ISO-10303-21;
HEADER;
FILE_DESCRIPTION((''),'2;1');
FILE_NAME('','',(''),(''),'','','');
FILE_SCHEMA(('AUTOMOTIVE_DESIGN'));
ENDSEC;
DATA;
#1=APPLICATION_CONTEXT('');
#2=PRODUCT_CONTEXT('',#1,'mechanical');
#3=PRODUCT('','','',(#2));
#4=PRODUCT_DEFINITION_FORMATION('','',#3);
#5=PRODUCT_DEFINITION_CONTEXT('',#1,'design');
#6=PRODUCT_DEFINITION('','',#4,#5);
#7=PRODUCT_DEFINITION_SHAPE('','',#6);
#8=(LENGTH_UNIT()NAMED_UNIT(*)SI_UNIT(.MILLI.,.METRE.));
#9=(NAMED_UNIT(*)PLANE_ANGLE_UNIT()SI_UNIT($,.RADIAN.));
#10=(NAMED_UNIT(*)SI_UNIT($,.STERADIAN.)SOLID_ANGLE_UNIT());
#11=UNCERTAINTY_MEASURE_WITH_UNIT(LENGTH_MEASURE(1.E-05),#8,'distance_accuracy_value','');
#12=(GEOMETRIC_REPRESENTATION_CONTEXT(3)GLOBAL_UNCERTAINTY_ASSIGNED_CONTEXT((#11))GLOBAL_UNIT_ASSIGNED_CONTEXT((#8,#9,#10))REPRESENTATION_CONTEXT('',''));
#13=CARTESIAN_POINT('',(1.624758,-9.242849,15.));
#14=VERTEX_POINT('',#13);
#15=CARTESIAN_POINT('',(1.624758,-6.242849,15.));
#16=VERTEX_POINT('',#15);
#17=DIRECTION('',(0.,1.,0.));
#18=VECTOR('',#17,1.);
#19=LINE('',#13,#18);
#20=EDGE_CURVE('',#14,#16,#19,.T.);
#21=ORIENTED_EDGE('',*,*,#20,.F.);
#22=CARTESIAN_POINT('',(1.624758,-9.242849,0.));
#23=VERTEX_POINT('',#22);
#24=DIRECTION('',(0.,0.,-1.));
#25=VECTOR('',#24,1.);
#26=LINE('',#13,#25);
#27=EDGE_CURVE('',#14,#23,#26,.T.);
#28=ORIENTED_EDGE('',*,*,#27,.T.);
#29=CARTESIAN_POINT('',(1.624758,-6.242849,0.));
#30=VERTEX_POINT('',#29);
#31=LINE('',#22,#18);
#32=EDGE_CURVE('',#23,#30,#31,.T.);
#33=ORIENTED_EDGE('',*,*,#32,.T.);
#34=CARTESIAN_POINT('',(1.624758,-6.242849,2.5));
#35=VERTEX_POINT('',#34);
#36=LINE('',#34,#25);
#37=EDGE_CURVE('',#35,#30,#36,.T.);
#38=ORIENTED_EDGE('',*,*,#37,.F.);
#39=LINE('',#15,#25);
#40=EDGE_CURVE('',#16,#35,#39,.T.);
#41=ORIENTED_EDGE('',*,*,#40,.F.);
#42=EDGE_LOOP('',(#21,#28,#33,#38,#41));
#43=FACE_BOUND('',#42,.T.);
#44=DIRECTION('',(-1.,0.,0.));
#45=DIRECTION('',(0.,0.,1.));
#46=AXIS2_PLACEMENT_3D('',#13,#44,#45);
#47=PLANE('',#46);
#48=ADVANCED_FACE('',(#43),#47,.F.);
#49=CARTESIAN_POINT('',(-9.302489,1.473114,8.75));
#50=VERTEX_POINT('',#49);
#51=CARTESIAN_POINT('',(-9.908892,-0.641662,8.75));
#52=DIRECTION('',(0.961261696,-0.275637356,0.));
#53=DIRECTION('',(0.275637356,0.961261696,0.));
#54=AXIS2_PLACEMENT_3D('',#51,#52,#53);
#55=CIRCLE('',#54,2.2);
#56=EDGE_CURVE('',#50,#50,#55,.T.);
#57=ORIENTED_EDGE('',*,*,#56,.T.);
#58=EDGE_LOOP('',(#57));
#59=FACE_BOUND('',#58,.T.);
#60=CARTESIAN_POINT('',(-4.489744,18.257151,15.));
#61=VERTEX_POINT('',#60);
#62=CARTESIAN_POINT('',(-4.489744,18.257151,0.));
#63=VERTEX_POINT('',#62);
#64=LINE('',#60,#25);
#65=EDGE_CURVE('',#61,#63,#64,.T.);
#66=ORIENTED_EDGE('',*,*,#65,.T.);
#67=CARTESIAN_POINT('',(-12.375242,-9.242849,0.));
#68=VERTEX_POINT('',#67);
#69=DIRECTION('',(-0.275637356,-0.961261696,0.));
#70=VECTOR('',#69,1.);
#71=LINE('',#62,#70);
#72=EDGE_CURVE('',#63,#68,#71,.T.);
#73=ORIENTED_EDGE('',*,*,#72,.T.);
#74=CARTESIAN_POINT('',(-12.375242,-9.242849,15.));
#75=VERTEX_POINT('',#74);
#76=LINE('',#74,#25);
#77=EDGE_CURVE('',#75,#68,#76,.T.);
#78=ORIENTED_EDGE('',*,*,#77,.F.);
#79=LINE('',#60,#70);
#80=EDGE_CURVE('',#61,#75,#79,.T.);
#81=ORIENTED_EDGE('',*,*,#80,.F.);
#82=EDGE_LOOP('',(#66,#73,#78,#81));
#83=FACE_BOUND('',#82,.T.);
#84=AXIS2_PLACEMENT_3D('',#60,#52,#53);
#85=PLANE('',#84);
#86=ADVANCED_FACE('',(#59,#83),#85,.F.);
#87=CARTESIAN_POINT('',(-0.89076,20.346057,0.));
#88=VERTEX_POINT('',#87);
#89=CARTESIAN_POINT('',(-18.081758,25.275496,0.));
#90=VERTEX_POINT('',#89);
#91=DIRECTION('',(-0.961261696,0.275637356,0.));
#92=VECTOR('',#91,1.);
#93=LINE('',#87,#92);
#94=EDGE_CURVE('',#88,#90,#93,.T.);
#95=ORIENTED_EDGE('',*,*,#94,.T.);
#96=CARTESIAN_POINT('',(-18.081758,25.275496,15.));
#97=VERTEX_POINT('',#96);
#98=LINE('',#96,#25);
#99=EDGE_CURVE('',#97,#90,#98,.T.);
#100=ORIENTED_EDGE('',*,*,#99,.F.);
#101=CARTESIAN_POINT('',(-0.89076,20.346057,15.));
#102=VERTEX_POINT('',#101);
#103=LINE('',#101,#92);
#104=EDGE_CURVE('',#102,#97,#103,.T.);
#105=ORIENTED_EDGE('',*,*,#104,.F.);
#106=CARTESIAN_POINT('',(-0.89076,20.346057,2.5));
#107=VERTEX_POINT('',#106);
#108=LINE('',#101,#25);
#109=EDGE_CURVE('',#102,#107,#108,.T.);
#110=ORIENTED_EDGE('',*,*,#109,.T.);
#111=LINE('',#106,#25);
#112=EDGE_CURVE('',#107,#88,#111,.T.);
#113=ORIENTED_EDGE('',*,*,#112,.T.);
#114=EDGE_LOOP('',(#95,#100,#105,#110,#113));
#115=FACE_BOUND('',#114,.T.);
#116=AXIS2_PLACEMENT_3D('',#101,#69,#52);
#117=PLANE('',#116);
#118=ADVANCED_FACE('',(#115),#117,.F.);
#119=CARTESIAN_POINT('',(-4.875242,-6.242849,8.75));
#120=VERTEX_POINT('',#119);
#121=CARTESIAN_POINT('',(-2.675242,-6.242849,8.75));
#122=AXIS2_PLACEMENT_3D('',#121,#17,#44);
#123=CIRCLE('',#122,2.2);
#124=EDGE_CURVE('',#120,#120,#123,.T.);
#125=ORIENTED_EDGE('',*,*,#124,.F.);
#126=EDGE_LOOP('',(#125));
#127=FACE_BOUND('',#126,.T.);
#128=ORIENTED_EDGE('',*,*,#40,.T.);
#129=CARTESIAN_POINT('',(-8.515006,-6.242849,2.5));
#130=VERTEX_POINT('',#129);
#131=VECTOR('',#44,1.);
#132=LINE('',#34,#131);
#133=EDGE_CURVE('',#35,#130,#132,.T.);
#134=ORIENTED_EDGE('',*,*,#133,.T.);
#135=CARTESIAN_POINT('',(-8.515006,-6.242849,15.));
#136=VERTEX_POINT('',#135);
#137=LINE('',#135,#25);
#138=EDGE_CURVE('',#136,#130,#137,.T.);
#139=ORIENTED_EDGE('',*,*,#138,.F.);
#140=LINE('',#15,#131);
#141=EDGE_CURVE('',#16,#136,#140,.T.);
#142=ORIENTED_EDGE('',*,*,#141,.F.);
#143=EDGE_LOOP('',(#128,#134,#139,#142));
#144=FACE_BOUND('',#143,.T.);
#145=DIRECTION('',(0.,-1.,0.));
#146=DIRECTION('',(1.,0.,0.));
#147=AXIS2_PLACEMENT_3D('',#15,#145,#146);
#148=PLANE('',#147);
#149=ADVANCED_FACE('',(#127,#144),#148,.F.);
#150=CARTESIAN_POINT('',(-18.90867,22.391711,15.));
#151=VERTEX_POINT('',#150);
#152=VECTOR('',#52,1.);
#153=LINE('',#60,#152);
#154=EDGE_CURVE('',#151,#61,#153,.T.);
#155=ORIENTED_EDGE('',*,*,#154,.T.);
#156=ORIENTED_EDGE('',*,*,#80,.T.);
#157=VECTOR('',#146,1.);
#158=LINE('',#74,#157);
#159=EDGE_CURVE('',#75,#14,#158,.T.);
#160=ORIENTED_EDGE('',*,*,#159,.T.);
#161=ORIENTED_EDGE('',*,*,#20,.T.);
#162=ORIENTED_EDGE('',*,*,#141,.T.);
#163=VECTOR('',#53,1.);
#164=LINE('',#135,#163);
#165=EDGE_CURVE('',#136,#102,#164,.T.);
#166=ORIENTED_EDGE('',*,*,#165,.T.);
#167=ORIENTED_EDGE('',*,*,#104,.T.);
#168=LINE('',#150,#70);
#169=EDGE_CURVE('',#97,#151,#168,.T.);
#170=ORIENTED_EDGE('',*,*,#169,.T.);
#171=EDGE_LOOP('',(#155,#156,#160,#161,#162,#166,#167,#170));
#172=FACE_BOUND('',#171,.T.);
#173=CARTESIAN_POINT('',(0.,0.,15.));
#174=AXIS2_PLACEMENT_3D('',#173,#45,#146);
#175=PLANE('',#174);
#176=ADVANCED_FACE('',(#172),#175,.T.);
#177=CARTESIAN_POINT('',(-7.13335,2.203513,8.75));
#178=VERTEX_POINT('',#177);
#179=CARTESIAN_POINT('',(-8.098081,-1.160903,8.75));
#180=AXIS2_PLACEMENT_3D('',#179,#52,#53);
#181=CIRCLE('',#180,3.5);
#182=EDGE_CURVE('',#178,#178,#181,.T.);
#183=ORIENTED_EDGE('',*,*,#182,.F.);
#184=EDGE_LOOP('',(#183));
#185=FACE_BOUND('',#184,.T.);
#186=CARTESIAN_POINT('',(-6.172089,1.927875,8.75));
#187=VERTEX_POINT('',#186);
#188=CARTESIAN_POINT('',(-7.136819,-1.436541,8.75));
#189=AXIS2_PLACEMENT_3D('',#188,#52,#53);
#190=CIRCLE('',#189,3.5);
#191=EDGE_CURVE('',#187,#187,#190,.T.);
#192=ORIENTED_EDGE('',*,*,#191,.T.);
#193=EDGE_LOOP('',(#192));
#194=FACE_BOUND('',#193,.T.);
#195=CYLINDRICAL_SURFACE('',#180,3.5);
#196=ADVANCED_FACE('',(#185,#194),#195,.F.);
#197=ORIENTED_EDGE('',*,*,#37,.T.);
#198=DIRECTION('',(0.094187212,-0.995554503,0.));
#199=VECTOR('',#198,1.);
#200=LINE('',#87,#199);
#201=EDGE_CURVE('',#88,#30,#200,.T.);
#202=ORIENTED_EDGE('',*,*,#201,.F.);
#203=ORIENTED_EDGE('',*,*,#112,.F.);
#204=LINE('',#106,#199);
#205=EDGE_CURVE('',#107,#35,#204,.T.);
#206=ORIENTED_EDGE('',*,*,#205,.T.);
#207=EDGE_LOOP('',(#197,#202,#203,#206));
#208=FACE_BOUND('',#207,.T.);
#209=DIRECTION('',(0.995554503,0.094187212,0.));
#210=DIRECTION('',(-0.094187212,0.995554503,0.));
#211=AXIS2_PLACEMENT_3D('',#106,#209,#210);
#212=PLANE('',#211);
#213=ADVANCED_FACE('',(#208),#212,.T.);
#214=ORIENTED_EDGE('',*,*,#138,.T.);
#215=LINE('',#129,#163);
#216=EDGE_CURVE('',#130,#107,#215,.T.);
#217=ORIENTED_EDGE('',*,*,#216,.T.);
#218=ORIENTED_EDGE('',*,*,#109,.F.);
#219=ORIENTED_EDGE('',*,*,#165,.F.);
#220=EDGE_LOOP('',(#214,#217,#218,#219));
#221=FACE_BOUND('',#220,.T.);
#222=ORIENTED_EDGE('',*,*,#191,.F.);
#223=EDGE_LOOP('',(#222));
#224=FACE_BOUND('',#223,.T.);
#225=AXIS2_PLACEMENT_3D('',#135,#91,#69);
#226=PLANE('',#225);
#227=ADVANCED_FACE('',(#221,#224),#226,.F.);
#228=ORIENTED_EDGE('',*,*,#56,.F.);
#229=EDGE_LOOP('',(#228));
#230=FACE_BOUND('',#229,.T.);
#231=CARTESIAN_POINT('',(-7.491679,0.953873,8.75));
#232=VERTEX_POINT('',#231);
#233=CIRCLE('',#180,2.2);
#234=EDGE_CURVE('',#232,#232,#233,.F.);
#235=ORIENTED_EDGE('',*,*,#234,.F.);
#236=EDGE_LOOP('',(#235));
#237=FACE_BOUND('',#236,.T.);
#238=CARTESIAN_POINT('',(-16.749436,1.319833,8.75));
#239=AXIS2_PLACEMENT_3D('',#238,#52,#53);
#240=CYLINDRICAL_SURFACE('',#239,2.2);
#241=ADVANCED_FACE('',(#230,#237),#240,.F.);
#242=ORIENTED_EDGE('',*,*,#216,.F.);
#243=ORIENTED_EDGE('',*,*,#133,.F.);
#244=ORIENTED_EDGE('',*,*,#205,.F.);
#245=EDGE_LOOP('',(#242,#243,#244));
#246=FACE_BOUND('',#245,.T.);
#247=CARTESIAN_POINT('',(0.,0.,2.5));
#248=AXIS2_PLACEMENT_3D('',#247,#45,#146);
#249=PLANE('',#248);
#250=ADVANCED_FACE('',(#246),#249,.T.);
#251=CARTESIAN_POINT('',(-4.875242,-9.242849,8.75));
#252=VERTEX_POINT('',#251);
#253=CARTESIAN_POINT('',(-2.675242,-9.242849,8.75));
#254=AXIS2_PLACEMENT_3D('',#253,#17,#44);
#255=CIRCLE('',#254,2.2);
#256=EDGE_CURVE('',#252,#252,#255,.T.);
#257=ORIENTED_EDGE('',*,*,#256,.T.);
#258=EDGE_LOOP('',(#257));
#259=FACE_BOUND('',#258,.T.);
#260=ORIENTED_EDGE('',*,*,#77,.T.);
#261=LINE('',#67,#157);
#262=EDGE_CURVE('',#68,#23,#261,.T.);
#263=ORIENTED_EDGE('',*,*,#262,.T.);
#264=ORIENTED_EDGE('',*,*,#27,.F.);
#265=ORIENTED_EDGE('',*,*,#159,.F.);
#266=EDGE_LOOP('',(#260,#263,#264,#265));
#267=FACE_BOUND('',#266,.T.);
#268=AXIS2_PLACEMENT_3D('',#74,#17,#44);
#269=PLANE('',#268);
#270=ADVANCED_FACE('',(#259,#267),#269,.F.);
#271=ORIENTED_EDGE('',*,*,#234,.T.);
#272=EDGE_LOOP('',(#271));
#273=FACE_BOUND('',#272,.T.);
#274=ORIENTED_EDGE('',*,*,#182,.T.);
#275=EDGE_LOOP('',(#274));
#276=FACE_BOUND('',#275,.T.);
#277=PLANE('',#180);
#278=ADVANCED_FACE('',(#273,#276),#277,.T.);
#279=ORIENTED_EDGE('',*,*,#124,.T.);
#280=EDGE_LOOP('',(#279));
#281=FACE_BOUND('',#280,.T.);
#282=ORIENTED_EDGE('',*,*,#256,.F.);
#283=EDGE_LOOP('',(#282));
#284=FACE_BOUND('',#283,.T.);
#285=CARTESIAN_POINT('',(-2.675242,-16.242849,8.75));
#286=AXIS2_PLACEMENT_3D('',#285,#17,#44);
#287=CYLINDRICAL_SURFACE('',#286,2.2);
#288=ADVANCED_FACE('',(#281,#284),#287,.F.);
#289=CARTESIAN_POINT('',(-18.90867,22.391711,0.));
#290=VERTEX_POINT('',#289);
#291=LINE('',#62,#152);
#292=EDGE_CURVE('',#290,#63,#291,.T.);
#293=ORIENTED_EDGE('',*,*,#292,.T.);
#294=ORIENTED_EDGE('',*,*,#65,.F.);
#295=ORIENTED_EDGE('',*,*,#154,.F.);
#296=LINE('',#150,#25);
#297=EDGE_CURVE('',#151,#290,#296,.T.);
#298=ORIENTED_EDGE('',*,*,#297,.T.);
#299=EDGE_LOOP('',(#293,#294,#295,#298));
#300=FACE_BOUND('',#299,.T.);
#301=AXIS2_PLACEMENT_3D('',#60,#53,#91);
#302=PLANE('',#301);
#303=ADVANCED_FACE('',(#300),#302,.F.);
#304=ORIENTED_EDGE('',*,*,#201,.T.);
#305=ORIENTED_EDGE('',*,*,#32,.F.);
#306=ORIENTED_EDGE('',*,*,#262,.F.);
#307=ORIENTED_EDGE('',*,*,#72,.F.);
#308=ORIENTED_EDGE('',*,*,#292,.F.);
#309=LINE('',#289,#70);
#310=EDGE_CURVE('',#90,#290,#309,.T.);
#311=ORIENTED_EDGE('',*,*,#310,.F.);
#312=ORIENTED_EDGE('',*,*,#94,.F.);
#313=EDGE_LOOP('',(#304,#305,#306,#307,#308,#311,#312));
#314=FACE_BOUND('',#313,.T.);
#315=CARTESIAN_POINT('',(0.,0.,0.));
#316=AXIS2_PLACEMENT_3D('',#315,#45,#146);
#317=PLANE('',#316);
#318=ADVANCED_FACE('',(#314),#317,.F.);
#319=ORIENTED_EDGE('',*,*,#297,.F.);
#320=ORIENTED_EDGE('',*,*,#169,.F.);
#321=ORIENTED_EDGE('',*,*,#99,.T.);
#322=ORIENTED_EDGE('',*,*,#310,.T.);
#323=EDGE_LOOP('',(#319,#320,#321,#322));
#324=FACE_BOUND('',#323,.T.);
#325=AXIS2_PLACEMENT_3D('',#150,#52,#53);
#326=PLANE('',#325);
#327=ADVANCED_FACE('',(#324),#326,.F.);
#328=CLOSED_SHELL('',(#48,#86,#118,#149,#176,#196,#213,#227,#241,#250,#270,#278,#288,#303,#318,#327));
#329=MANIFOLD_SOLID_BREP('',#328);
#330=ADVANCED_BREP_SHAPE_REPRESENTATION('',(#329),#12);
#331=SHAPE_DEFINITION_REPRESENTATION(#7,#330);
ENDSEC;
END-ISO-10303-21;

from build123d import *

# Parameters (mm, degrees)
DODANIE_WYCI_GNI_CIE1_DEPTH = 15
DODANIE_WYCI_GNI_CIE2_DEPTH = 2.5
SZKIC4_R                    = 2.2
WYTNIJ_WYCI_GNI_CIE1_DEPTH  = 10
SZKIC5_R                    = 2.2
WYTNIJ_WYCI_GNI_CIE2_DEPTH  = 10
SZKIC6_R                    = 3.5
WYTNIJ_WYCI_GNI_CIE3_DEPTH  = 1


with BuildPart() as part:
    # Szkic2 → Dodanie-wyciągnięcie1 (new body)
    with BuildSketch(Plane.XY):
        Polygon((-4.489744218, 18.257150965), (-12.375242327, -9.242849035), (1.624757673, -9.242849035), (1.624757673, -6.242849035), (-8.515006169, -6.242849035), (-0.890760007, 20.346057156), (-18.08175759, 25.27549639), (-18.908669657, 22.391711302), align=None)
    extrude(amount=DODANIE_WYCI_GNI_CIE1_DEPTH)

    # Szkic3 → Dodanie-wyciągnięcie2 (add)
    with BuildSketch(Plane(origin=(0, 0, 0), x_dir=(-1, 0, 0), z_dir=(0, 0, -1))):
        Polygon((0.890760007, 20.346057156), (-1.624757673, -6.242849035), (8.515006169, -6.242849035), align=None)
    extrude(amount=-DODANIE_WYCI_GNI_CIE2_DEPTH)

    # Szkic4 → Wytnij-wyciągnięcie1 (cut)
    with BuildSketch(Plane(origin=(0, -6.242849035, 0), x_dir=(1, 0, 0), z_dir=(0, 1, 0))):
        with Locations(Location((-2.675242327, -8.75, 0), (0, 0, 180))):
            Circle(SZKIC4_R)
    extrude(amount=-WYTNIJ_WYCI_GNI_CIE1_DEPTH, mode=Mode.SUBTRACT)

    # Szkic5 → Wytnij-wyciągnięcie2 (cut)
    with BuildSketch(Plane(origin=(-6.213967486, 1.781826504, 0), x_dir=(0, 0, -1), z_dir=(0.9612616959383198, -0.27563735581699605, 0))):
        with Locations(Location((-8.75, -3.348065436, 0), (0, 0, 90))):
            Circle(SZKIC5_R)
    extrude(amount=-WYTNIJ_WYCI_GNI_CIE2_DEPTH, mode=Mode.SUBTRACT)

    # Szkic6 → Wytnij-wyciągnięcie3 (cut)
    with BuildSketch(Plane(origin=(-6.213967486, 1.781826504, 0), x_dir=(0, 0, -1), z_dir=(0.9612616959383198, -0.27563735581699605, 0))):
        with Locations(Location((-8.75, -3.348065436, 0), (0, 0, 90))):
            Circle(SZKIC6_R)
    extrude(amount=-WYTNIJ_WYCI_GNI_CIE3_DEPTH, mode=Mode.SUBTRACT)


solid = part.part
